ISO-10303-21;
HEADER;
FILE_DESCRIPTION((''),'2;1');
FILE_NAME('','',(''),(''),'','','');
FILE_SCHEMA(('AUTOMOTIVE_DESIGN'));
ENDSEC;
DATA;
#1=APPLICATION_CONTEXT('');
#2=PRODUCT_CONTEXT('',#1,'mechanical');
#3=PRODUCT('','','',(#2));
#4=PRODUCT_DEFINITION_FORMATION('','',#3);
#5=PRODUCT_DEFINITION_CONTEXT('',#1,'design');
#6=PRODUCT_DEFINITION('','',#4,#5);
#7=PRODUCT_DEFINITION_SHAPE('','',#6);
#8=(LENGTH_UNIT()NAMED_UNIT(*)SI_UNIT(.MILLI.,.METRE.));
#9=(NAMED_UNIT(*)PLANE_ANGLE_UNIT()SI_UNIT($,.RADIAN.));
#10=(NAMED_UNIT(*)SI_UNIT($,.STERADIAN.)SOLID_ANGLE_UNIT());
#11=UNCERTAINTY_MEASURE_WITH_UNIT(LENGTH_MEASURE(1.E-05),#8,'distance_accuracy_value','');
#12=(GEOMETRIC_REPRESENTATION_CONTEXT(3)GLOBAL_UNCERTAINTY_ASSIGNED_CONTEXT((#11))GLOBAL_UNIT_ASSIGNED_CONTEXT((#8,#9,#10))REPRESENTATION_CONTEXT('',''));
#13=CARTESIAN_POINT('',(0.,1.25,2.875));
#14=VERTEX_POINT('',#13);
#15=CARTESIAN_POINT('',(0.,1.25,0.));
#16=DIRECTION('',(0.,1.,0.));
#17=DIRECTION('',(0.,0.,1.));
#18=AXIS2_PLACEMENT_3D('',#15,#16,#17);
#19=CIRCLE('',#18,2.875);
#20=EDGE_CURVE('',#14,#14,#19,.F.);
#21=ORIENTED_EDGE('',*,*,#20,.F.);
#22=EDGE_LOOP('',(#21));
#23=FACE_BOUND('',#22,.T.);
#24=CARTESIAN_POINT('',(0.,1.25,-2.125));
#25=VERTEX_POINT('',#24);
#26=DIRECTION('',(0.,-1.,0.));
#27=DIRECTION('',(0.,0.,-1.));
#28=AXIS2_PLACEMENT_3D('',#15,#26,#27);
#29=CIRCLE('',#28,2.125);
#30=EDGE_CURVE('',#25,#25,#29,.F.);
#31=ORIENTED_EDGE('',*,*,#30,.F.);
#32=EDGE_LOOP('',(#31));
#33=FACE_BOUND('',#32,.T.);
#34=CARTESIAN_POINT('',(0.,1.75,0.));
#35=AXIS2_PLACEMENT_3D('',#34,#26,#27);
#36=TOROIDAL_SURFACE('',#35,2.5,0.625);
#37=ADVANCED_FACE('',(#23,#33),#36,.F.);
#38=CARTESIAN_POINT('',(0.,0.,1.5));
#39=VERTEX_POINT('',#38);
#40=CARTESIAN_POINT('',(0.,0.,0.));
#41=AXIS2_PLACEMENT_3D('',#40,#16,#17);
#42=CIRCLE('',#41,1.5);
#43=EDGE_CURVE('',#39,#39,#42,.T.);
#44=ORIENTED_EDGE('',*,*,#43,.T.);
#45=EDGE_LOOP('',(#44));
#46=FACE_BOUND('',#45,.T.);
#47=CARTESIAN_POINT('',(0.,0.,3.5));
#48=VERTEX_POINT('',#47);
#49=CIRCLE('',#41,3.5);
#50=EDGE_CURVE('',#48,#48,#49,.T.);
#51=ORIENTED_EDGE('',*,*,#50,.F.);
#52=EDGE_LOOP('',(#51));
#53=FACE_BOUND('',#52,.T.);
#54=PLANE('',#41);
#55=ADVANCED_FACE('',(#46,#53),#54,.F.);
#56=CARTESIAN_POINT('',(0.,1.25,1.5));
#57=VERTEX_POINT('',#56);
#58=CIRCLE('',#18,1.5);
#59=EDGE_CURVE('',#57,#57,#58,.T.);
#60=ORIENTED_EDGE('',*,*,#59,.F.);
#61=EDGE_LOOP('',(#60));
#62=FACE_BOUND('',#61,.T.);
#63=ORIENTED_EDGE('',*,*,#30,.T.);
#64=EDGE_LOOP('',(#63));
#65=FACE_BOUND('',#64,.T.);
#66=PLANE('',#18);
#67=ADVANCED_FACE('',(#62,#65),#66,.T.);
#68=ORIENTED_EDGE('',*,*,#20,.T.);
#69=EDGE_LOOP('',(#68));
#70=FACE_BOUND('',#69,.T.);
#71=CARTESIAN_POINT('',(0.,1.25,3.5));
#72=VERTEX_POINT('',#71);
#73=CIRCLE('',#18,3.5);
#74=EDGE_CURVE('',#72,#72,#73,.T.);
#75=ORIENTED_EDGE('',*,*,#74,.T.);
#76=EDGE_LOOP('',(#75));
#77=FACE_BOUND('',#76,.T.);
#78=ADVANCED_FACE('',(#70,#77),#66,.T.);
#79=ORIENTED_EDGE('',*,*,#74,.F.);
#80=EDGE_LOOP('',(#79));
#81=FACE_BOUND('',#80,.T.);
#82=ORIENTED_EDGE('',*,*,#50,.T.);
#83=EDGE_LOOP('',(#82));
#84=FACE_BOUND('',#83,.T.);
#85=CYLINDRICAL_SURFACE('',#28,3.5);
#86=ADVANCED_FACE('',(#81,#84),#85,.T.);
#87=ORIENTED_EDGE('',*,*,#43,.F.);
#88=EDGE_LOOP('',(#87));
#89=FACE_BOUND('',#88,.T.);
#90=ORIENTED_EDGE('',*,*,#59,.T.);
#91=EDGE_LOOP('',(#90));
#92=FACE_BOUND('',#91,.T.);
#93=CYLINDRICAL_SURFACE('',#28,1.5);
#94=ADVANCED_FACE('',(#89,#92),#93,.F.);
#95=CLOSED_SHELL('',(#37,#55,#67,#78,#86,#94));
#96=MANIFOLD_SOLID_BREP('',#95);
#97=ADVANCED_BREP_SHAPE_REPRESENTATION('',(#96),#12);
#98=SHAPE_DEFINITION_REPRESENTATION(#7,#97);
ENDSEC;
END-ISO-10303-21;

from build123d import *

# Parameters (mm, degrees)
SKETCH1_R           = 3.5
SKETCH1_R_2         = 1.5
BOSS_EXTRUDE1_DEPTH = 1.25
SKETCH2_R           = 0.625


with BuildPart() as part:
    # Sketch1 → Boss-Extrude1 (new body)
    with BuildSketch(Plane(origin=(0, 0, 0), x_dir=(1, 0, 0), z_dir=(0, 1, 0))):
        with Locations(Location((0, 0, 0), (0, 0, 270))):
            Circle(SKETCH1_R)
        with Locations(Location((0, 0, 0), (0, 0, 270))):
            Circle(SKETCH1_R_2, mode=Mode.SUBTRACT)
    extrude(amount=BOSS_EXTRUDE1_DEPTH)

    # Sketch2 → Cut-Revolve1 (revolve, cut)
    with BuildSketch(Plane.XY, mode=Mode.PRIVATE) as cut_revolve1_sk:
        with Locations((-2.5, 1.75)):
            Circle(SKETCH2_R)
    revolve(cut_revolve1_sk.sketch.rotate(Axis((0, 0, 0), (0, 1, 0)), 270), axis=Axis((0, 0, 0), (0, 1, 0)), mode=Mode.SUBTRACT)


solid = part.part
